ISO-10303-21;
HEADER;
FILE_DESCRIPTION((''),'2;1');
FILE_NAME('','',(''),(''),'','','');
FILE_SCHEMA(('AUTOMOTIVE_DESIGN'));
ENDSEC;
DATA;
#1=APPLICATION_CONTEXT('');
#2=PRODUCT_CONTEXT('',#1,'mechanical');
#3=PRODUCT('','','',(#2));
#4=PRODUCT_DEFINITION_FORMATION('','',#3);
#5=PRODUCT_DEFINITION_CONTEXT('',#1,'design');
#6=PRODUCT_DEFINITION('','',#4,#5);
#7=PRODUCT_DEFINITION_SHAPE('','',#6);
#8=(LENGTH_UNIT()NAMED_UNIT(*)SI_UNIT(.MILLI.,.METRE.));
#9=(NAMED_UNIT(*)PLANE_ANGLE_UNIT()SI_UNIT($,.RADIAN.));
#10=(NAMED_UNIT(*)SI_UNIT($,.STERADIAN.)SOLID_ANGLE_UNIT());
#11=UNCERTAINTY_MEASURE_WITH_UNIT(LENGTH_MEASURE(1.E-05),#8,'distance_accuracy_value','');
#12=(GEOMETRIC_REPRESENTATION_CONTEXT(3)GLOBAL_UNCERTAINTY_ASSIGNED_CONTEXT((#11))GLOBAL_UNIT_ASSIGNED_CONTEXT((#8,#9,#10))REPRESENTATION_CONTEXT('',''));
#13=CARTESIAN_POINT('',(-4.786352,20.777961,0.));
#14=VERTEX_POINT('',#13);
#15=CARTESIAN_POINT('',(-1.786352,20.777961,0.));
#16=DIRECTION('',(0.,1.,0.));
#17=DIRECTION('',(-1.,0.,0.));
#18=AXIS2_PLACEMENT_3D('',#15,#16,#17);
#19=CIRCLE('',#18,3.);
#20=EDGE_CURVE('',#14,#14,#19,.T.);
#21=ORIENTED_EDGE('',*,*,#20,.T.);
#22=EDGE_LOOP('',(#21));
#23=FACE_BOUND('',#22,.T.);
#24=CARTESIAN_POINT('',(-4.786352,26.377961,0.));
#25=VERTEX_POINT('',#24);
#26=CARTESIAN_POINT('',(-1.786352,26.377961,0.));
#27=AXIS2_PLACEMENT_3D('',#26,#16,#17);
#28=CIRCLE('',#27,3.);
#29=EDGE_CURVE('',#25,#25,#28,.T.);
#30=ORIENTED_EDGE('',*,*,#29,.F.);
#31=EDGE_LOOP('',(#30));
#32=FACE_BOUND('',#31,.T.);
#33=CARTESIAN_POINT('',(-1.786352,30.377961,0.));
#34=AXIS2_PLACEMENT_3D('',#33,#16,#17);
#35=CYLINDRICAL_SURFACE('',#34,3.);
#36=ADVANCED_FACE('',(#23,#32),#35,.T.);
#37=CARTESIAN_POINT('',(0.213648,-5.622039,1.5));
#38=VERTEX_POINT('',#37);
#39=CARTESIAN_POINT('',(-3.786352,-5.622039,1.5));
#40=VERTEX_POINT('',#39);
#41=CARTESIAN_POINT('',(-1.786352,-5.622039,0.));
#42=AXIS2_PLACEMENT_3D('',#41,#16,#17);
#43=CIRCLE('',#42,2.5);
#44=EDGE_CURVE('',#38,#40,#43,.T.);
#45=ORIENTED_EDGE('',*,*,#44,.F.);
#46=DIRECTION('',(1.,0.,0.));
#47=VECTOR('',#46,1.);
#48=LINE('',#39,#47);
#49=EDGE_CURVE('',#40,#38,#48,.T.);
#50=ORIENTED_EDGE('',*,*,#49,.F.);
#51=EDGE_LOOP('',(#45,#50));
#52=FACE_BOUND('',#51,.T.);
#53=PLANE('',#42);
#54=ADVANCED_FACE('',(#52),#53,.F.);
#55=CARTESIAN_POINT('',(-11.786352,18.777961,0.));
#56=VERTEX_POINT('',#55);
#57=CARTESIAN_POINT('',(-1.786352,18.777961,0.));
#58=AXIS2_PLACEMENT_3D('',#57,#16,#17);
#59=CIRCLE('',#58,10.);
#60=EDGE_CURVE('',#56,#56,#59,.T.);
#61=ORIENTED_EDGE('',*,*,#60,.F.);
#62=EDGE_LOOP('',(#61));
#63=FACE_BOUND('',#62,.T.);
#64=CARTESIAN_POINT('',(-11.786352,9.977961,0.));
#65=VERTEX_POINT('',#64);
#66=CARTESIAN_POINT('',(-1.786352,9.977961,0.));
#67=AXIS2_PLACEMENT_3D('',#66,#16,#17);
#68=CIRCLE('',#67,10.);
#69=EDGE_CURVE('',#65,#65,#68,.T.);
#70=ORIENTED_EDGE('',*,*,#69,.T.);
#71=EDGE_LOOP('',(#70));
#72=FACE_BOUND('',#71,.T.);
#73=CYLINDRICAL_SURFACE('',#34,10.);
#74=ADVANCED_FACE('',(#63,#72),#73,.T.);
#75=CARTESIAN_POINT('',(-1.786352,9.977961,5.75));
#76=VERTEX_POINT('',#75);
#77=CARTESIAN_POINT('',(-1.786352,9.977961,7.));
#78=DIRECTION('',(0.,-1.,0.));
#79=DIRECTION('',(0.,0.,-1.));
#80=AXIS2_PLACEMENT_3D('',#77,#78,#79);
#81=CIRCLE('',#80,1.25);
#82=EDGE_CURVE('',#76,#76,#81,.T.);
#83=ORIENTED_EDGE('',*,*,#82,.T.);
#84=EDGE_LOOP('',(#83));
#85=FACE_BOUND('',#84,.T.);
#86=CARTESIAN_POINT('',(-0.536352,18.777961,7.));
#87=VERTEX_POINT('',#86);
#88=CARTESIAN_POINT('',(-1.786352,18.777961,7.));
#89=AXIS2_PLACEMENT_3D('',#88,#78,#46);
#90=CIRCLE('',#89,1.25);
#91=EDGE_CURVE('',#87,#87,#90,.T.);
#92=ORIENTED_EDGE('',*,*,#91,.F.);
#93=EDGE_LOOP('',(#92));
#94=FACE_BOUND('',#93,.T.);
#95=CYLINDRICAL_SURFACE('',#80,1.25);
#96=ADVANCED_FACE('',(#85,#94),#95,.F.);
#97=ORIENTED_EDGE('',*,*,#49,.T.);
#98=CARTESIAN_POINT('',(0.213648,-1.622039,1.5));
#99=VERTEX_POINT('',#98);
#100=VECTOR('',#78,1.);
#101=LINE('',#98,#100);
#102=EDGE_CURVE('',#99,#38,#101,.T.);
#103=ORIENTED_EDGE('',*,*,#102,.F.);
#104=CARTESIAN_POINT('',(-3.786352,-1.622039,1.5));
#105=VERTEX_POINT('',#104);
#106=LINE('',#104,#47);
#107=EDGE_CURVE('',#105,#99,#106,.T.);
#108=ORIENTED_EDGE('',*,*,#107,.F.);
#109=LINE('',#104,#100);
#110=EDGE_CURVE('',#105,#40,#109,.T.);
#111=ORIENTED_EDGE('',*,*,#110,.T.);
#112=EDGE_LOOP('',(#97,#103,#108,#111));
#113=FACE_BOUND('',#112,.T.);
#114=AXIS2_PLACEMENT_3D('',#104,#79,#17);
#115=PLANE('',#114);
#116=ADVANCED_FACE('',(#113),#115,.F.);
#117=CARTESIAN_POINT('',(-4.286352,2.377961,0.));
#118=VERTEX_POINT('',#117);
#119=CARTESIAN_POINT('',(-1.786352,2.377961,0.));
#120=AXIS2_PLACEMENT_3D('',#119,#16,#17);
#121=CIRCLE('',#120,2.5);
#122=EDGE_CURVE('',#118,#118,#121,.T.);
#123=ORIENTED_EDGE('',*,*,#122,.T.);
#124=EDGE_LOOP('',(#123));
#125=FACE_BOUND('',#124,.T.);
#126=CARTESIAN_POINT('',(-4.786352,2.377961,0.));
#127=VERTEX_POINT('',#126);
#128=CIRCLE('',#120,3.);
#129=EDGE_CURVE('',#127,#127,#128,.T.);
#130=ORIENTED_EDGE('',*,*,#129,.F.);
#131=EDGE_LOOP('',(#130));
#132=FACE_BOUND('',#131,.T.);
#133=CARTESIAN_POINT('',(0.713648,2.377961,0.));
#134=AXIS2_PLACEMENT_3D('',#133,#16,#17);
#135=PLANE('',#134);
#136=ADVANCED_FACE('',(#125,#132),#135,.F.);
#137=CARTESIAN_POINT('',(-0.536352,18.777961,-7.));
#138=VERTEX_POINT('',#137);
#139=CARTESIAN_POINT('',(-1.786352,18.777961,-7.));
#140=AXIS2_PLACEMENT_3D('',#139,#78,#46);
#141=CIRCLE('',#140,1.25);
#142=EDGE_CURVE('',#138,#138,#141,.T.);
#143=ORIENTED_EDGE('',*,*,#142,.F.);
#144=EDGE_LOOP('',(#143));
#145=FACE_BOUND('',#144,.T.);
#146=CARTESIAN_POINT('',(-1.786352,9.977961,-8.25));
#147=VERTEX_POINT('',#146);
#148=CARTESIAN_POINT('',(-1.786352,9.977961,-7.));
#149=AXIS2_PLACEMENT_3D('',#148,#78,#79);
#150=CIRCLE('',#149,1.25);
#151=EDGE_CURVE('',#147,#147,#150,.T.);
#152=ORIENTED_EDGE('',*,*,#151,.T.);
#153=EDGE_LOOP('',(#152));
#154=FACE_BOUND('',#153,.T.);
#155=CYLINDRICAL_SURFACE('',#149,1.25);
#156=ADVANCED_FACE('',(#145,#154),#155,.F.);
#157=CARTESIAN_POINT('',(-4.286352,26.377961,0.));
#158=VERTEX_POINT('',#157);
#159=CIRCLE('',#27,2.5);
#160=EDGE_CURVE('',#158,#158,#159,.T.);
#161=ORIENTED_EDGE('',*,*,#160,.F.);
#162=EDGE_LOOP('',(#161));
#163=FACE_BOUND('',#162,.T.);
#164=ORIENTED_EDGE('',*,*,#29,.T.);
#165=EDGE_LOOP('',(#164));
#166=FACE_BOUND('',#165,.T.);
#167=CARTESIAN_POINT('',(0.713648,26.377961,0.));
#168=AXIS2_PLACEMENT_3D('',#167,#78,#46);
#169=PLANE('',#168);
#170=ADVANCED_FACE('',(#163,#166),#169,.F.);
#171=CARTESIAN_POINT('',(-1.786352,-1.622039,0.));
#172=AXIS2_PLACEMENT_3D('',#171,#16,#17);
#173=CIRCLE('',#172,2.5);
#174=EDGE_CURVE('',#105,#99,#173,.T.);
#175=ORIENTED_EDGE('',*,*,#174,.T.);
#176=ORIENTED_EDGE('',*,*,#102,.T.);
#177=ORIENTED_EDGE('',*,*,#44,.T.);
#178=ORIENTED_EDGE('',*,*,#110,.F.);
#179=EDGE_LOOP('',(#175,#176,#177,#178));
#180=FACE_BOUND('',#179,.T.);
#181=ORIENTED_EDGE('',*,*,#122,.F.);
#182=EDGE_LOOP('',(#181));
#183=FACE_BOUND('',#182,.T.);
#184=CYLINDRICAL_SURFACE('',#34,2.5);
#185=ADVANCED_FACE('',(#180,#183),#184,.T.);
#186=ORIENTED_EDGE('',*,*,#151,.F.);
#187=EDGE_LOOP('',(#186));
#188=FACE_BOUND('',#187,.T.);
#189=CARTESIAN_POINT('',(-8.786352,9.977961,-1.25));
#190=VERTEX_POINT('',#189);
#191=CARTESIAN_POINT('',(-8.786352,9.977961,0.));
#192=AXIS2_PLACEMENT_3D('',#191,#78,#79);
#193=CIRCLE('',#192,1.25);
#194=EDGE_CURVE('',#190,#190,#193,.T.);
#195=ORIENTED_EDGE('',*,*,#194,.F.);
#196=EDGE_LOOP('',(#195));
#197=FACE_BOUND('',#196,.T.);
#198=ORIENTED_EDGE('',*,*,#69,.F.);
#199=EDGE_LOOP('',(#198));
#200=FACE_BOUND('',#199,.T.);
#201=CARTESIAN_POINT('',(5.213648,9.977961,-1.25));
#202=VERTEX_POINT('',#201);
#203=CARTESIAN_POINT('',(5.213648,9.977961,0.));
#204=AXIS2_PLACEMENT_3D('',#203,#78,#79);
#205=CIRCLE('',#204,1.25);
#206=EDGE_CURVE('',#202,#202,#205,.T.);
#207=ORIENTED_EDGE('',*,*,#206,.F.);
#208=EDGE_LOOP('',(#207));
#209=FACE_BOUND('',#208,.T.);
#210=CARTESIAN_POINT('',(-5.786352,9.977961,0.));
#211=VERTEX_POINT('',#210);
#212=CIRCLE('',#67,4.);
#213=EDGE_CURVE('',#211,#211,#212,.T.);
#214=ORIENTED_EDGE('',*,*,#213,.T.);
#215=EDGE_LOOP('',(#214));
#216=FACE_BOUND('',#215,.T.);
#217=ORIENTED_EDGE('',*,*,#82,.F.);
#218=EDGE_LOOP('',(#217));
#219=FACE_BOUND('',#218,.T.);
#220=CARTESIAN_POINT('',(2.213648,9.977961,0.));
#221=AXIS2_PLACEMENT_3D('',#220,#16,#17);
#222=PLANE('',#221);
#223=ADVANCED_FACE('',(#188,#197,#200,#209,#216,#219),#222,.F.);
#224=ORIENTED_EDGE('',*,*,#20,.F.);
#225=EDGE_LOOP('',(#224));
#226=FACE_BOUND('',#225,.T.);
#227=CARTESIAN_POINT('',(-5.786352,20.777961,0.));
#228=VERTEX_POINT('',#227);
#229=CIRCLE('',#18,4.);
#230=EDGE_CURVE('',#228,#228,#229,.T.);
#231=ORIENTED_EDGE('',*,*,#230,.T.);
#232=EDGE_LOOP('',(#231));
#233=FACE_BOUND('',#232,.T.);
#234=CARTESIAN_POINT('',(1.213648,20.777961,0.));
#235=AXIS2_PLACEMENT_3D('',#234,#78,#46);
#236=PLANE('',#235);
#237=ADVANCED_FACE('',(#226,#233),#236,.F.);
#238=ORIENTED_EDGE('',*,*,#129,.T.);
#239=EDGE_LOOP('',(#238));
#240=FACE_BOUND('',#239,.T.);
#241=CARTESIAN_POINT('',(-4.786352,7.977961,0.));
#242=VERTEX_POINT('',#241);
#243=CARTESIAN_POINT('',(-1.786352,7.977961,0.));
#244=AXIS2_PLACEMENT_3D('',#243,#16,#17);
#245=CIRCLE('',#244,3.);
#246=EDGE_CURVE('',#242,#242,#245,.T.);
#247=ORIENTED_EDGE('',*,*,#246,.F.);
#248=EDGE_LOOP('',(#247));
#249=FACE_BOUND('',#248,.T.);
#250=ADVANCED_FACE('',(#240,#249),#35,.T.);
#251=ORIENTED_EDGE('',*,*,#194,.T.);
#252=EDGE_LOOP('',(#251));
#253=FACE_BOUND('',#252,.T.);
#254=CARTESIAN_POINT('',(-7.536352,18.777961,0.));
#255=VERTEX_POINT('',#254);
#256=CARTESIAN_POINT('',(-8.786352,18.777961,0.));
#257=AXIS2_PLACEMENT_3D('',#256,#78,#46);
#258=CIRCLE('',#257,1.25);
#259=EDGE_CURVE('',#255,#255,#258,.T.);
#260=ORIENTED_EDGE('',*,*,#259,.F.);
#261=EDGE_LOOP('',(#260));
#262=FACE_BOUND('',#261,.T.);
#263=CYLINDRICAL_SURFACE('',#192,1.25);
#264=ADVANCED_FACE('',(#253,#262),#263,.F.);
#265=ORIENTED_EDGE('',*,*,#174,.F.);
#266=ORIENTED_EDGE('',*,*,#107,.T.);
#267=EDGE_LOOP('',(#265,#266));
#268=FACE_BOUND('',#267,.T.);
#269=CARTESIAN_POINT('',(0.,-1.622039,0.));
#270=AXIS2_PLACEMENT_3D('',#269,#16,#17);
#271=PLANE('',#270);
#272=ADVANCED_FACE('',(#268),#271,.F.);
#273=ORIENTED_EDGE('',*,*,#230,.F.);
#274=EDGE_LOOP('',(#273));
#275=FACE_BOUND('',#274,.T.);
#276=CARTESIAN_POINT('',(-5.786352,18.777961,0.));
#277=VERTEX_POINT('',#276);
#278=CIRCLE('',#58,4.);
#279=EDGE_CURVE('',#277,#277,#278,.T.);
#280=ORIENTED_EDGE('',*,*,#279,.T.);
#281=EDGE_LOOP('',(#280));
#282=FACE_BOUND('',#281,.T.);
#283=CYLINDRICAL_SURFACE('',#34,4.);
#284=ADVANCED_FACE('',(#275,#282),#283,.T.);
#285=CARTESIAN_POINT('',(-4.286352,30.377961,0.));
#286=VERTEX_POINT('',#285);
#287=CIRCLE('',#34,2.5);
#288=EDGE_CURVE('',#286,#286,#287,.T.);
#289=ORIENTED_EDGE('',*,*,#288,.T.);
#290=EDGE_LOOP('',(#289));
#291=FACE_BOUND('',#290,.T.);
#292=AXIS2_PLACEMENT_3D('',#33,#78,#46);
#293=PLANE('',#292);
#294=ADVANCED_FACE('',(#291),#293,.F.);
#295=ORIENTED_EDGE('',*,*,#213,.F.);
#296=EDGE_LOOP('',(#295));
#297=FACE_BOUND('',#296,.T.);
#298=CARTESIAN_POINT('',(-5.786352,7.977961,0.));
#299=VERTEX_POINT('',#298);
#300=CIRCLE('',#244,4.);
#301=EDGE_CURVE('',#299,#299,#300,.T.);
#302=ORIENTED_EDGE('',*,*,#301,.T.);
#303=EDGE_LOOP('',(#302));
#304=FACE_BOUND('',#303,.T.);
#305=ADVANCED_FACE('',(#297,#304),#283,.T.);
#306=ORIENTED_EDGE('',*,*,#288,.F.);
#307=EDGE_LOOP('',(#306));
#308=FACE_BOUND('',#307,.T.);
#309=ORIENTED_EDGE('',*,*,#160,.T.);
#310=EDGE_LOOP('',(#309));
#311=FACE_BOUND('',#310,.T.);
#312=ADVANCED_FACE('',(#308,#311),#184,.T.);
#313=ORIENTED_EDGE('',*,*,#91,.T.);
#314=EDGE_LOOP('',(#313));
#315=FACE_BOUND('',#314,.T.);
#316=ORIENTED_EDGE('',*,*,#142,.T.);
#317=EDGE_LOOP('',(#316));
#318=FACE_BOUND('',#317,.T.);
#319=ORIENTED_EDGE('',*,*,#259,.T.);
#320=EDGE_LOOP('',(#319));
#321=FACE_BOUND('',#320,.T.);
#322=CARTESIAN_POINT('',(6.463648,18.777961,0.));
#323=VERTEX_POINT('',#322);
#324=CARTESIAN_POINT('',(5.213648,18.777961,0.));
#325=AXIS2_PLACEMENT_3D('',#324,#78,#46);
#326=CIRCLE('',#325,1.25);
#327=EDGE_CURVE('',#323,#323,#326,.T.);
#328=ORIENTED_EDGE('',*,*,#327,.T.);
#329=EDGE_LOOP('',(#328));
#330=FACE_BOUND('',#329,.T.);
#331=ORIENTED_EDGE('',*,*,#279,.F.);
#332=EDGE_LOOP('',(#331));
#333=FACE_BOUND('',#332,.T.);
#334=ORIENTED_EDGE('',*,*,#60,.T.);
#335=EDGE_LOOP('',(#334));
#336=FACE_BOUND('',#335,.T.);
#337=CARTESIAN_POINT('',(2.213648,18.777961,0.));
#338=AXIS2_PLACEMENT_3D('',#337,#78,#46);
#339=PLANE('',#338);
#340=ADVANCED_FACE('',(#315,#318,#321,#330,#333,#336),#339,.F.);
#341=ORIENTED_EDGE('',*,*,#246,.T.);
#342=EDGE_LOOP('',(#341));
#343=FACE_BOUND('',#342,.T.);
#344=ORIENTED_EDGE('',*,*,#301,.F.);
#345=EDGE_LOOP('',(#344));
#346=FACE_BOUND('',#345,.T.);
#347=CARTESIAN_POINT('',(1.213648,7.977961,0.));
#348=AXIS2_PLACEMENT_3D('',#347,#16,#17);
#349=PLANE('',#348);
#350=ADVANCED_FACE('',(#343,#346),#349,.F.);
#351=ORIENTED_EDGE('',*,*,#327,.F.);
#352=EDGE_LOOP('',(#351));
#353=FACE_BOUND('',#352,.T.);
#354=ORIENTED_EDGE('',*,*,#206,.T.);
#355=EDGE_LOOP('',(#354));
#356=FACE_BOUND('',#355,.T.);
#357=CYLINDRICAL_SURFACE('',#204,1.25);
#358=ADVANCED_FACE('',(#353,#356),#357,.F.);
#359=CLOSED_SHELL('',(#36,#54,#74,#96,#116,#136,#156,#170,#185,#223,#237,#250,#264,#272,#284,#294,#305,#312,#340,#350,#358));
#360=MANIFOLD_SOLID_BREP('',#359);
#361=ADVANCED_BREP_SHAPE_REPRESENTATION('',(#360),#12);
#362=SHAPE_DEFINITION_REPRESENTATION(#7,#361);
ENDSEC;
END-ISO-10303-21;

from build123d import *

# Parameters (mm, degrees)
HOLE_WIZARD_M3_1_D       = 2.5
PATTERN_CIRCULAR_1_COUNT = 4
CUT_EXTRUDE_1_DEPTH      = 4


with BuildPart() as part:
    # Model → 旋转1 (revolve)
    with BuildSketch(Plane.XY, mode=Mode.PRIVATE) as revolve_1_sk:
        Polygon((-1.786351506, 30.377960803), (-1.786351506, -5.622039197), (0.713648494, -5.622039197), (0.713648494, 2.377960803), (1.213648494, 2.377960803), (1.213648494, 7.977960803), (2.213648494, 7.977960803), (2.213648494, 9.977960803), (8.213648494, 9.977960803), (8.213648494, 18.777960803), (2.213648494, 18.777960803), (2.213648494, 20.777960803), (1.213648494, 20.777960803), (1.213648494, 26.377960803), (0.713648494, 26.377960803), (0.713648494, 30.377960803), align=None)
    revolve(revolve_1_sk.sketch.rotate(Axis((-1.786351506, 30.377960803, 0), (0, -1, 0)), 180), axis=Axis((-1.786351506, 30.377960803, 0), (0, -1, 0)))

    # M3 螺纹孔1 (through all)
    with Locations(Plane(origin=(-1.786351506, 9.977960803, 7), x_dir=(-1, 0, 0), z_dir=(0, -1, 0))):
        with Locations((0, 0)):
            hole_wizard_m3_1 = Hole(HOLE_WIZARD_M3_1_D / 2)

    # 阵列(圆周)1: M3 螺纹孔1 ×4 about axis
    pattern_circular_1_axis = Axis((-1.786351506, 0, 0), (0, 1, 0))
    for i in range(1, PATTERN_CIRCULAR_1_COUNT):
        add(hole_wizard_m3_1.rotate(pattern_circular_1_axis, i * 360 / PATTERN_CIRCULAR_1_COUNT), mode=Mode.SUBTRACT)

    # 草图5 → 切除-拉伸1 (cut)
    with BuildSketch(Plane.XZ.offset(5.622039197)):
        Polygon((-3.786351506, 1.5), (0.213648494, 1.5), (0.213648494, 5.333306347), (-4.133002322, 4.430820446), align=None)
    extrude(amount=-CUT_EXTRUDE_1_DEPTH, mode=Mode.SUBTRACT)


solid = part.part
